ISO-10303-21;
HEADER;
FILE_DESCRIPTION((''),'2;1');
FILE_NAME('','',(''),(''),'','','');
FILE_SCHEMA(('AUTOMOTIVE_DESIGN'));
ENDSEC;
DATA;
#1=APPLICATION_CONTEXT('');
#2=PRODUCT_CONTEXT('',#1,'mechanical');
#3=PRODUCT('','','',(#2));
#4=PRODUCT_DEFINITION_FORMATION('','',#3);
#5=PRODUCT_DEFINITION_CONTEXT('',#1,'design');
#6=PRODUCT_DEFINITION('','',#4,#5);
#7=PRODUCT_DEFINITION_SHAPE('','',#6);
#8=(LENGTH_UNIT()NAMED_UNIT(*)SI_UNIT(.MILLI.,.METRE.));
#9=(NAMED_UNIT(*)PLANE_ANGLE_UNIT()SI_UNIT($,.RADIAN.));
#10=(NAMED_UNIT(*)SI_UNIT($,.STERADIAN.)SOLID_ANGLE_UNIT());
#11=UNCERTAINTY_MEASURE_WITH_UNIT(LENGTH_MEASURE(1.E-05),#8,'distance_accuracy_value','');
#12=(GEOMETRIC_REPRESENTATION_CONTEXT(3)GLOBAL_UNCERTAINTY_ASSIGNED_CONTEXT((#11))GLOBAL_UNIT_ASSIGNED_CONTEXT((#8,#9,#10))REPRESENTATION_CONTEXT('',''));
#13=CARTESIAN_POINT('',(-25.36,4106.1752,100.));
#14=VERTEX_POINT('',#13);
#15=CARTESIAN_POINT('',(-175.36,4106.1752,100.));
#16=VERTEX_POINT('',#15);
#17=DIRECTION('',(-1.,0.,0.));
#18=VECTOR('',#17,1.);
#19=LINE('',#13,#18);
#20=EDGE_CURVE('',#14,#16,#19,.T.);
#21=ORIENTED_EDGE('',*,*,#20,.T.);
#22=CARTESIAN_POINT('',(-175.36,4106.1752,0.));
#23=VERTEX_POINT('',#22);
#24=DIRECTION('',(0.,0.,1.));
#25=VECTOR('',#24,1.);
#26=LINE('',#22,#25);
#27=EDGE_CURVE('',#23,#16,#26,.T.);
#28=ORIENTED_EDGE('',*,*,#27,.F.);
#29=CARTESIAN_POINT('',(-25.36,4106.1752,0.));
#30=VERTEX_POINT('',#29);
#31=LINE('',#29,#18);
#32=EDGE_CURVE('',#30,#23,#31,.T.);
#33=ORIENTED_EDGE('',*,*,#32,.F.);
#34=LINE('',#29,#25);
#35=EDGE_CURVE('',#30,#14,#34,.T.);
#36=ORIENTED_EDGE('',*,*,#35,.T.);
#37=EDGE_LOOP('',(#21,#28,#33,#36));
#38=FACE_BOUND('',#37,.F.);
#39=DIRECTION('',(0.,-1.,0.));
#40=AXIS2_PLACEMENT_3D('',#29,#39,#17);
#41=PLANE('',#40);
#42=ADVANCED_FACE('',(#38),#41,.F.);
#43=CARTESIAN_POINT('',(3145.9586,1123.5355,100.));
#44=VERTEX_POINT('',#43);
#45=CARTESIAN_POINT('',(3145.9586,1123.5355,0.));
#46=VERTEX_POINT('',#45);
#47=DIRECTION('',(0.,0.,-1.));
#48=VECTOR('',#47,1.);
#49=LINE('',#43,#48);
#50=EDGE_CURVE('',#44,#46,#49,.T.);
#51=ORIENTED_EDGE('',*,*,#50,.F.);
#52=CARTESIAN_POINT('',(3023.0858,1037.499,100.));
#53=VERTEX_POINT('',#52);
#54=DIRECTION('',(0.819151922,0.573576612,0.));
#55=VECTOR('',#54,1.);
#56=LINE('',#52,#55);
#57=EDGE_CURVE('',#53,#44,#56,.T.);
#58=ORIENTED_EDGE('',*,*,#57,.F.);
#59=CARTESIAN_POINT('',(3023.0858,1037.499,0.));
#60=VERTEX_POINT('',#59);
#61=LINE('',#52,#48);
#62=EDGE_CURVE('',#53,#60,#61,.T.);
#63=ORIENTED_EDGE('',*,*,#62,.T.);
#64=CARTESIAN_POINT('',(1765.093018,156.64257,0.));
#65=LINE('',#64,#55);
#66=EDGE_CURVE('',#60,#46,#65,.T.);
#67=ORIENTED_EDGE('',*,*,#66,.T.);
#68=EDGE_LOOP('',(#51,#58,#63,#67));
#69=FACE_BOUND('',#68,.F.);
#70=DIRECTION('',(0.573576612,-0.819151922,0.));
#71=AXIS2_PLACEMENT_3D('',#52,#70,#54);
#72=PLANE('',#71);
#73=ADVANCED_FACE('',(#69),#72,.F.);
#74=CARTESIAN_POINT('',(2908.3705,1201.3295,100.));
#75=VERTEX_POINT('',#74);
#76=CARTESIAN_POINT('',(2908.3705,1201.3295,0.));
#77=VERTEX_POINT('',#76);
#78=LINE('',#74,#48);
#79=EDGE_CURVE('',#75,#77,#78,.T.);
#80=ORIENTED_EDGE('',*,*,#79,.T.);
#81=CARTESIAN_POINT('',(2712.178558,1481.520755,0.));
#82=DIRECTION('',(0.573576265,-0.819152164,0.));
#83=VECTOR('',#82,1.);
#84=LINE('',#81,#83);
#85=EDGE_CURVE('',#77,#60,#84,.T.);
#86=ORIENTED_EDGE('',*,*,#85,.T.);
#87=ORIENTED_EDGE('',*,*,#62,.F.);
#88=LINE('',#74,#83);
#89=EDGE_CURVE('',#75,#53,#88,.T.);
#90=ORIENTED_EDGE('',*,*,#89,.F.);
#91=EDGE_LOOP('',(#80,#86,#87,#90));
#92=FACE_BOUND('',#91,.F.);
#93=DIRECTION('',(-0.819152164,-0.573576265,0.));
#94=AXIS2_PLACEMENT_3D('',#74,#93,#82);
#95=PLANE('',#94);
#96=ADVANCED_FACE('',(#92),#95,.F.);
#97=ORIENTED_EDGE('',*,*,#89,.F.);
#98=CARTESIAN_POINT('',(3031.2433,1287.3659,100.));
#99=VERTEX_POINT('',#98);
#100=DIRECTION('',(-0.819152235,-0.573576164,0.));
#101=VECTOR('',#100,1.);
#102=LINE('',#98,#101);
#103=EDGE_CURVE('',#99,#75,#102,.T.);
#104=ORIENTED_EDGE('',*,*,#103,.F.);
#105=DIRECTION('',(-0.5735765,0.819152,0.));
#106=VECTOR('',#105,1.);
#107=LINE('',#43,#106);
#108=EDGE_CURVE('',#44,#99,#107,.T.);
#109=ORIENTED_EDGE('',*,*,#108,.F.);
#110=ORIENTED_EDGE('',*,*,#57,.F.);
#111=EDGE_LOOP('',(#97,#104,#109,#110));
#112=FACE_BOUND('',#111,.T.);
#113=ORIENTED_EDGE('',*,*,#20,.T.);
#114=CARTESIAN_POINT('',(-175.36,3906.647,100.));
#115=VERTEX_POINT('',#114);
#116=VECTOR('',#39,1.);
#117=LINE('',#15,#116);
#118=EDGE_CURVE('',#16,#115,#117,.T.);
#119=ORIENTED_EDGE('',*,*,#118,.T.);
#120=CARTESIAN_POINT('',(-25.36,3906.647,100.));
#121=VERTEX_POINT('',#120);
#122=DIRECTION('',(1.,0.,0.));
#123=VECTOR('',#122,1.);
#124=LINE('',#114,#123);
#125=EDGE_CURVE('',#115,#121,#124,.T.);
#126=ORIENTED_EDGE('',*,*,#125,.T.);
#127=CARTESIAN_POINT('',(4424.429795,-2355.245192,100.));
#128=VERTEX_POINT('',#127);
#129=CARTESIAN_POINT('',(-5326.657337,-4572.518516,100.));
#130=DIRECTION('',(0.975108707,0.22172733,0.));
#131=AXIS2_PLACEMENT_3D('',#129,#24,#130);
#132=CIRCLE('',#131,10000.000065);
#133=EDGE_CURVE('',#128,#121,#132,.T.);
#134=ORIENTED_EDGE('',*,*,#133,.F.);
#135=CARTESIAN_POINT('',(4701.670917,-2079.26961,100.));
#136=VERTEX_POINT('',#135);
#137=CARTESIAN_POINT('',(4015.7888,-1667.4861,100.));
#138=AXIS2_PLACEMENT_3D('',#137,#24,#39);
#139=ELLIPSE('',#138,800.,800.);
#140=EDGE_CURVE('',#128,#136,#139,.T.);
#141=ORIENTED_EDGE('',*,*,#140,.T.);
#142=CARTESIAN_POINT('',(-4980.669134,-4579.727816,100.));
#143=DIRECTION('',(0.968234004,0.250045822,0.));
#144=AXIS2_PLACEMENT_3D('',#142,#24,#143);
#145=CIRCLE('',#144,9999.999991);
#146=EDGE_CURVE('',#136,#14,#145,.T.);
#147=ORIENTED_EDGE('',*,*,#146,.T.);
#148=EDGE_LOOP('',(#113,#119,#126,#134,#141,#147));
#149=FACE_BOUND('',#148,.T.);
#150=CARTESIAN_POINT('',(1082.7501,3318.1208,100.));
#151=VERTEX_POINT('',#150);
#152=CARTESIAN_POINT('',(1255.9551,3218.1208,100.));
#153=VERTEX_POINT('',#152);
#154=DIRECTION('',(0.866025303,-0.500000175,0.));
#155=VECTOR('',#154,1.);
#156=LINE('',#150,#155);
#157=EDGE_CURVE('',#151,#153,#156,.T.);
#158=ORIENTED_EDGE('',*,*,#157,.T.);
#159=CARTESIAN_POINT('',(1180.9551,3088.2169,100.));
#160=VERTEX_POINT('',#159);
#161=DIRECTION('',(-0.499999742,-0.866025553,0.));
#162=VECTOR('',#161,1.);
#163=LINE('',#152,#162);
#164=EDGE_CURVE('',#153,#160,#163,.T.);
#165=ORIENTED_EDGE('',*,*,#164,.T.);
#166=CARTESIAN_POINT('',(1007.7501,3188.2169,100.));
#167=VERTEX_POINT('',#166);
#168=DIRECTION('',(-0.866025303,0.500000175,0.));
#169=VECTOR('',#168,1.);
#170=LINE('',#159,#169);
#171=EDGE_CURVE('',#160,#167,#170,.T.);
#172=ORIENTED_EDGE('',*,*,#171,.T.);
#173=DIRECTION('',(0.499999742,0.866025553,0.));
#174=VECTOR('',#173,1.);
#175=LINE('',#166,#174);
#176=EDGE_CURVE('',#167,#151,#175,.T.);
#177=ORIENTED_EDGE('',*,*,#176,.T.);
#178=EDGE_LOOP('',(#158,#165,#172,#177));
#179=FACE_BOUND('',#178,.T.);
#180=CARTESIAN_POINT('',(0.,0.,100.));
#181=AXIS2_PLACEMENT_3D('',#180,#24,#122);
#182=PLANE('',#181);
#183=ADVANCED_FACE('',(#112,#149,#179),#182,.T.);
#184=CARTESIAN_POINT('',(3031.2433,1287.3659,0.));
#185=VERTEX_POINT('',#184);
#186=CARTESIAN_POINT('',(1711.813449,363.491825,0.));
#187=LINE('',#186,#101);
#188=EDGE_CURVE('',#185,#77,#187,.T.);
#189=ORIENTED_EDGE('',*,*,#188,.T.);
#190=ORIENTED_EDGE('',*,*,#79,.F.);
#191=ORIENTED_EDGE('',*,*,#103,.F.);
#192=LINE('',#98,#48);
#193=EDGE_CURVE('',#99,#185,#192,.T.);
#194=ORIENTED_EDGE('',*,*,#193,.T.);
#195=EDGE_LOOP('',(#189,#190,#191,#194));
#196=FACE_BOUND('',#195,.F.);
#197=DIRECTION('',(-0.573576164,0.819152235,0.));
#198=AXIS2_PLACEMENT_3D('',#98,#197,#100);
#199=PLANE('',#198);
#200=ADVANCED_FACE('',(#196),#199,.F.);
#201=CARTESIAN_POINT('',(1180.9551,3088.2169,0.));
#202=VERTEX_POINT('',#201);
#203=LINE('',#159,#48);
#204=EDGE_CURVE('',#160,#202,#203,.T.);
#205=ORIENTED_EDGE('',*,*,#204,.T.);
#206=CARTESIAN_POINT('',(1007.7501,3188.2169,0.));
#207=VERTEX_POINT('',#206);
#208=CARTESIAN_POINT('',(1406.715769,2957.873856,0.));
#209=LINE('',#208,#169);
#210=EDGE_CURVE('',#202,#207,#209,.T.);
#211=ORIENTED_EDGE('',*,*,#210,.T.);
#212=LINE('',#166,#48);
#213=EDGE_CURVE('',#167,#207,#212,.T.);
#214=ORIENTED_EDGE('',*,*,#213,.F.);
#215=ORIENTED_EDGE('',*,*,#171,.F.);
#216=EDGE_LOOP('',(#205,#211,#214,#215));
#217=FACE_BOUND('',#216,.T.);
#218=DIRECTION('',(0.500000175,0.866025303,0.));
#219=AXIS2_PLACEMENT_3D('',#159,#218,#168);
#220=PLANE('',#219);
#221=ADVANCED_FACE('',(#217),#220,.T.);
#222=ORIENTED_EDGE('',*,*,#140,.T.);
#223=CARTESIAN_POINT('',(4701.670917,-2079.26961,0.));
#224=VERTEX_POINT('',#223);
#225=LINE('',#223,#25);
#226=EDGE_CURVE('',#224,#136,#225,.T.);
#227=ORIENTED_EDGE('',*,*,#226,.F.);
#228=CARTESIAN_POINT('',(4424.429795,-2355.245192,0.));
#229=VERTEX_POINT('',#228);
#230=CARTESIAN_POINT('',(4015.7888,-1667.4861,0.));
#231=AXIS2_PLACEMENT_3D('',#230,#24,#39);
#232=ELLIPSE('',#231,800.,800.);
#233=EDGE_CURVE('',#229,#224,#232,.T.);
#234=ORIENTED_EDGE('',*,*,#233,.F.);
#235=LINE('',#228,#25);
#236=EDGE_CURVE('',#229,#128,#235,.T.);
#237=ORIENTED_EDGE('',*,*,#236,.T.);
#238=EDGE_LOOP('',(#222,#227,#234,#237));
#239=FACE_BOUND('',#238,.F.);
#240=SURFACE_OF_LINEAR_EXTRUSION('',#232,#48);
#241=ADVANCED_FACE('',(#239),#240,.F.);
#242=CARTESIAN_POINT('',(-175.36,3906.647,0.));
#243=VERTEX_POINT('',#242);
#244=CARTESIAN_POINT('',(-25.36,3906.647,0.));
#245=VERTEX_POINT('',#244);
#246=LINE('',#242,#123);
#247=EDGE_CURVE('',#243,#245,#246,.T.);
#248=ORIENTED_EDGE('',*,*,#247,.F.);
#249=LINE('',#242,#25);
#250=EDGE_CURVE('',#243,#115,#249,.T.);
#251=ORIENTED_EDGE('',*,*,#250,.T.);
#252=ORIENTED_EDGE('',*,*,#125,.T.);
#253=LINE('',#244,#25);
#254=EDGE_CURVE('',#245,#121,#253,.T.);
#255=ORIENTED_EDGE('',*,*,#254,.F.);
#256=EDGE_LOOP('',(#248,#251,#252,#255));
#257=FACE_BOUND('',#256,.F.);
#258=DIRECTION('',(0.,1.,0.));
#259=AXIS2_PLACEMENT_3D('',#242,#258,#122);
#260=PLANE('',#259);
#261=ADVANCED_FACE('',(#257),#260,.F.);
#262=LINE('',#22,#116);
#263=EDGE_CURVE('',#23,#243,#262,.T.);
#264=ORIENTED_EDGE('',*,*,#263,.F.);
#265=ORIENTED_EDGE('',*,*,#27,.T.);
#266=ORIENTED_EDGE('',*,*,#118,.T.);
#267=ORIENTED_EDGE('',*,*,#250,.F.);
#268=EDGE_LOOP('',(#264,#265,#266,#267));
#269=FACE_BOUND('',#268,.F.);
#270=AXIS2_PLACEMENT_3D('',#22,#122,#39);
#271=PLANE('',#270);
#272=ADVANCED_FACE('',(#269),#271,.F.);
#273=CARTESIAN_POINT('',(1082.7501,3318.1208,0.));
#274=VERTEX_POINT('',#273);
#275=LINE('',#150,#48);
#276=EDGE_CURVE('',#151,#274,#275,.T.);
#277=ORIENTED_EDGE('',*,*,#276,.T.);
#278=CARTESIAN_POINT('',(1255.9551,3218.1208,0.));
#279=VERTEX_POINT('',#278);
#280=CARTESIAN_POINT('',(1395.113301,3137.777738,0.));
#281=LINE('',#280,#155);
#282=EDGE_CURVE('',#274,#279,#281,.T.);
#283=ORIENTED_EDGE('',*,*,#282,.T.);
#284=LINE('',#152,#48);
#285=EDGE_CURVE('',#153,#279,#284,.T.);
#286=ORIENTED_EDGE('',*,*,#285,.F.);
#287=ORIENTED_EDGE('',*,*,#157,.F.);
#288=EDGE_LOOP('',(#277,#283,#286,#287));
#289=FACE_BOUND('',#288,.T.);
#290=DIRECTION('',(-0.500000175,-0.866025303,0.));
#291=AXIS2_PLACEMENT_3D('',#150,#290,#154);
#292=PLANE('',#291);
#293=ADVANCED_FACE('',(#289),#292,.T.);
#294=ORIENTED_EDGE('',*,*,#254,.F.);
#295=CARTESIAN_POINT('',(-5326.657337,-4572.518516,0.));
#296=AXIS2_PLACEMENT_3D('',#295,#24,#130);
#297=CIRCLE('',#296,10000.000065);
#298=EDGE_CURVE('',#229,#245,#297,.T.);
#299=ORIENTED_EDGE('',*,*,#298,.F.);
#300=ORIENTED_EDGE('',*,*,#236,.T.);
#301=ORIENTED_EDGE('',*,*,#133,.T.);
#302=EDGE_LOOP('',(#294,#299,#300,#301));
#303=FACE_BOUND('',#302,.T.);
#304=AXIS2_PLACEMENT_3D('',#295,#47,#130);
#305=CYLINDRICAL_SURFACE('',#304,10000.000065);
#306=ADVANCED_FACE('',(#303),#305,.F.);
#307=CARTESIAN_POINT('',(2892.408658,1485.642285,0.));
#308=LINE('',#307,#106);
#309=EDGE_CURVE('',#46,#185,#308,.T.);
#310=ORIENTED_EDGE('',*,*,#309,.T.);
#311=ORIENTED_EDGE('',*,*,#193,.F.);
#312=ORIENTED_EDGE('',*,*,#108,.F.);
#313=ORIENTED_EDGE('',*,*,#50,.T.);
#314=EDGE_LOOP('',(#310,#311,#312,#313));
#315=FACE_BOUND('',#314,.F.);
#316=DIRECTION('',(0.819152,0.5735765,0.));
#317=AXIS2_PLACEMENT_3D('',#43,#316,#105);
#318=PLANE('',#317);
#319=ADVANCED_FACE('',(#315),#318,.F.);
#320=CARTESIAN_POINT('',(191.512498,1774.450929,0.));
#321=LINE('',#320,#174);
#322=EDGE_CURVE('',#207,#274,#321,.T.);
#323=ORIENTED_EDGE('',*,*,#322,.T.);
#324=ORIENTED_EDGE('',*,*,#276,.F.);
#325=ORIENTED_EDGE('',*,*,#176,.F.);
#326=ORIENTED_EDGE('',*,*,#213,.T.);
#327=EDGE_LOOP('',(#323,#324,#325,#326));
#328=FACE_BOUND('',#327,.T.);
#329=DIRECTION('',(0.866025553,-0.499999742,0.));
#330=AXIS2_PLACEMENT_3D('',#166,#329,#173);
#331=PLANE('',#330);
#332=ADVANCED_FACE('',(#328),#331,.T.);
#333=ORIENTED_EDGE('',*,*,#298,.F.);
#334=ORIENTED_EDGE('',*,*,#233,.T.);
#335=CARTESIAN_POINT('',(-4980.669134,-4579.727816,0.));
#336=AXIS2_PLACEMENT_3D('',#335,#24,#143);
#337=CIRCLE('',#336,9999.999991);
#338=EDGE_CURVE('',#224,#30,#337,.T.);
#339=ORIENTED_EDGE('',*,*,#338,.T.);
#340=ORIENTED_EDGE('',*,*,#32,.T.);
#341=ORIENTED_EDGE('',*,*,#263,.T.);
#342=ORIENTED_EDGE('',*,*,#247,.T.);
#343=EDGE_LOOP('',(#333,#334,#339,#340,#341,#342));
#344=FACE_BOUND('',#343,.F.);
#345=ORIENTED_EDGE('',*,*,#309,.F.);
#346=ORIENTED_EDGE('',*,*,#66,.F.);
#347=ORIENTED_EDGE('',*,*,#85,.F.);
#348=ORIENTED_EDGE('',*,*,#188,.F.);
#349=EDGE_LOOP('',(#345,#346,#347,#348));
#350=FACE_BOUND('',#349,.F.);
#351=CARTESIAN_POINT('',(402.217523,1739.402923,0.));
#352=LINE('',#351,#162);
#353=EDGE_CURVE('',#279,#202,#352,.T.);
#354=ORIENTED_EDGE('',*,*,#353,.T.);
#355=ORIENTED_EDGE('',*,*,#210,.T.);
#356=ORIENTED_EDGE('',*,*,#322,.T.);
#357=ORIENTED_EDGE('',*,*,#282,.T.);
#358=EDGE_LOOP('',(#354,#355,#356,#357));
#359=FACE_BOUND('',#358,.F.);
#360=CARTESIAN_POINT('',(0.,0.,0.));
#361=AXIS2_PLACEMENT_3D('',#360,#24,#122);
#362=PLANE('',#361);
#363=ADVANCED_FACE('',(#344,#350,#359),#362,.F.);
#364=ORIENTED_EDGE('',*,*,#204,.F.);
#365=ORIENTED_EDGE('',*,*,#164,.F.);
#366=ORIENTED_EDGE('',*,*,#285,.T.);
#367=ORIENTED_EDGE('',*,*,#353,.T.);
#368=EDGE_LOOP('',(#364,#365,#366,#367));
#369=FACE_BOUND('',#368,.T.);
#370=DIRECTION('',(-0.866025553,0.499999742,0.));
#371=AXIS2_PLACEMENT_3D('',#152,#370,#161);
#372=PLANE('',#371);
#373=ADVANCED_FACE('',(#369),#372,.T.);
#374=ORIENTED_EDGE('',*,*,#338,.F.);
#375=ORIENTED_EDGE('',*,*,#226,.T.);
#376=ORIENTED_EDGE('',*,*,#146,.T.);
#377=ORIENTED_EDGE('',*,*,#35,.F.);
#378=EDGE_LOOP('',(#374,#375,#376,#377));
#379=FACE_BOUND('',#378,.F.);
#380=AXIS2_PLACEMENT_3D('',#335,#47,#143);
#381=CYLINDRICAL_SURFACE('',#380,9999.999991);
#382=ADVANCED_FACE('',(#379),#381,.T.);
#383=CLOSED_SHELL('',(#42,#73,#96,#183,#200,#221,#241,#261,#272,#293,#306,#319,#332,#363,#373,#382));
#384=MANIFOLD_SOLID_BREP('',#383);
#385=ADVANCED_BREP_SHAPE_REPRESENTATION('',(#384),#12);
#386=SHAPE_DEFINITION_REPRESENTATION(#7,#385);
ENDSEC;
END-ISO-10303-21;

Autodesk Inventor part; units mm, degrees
ref_plane "YZ Plane" through (0, 0, 0) normal (1, 0, 0) x (0, 1, 0)
ref_plane "XZ Plane" through (0, 0, 0) normal (0, 1, 0) x (-1, 0, 0)
ref_plane "XY Plane" through (0, 0, 0) normal (0, 0, 1) x (1, 0, 0)
sketch "Sketch1" plane through (0, 0, 0) normal (0, 0, 1) x (1, 0, 0)
  ellipse E0 centre (4015.7888, -1667.4861) end of major axis (4015.7888, -2467.4861) minor radius 800 (4424.4298, -2355.2452) -> (4701.6709, -2079.2696) ccw
  arc A0 (4701.6709, -2079.2696) -> (-25.36, 4106.1752) centre (-4980.6691, -4579.7278) ccw
  arc A1 (4424.4298, -2355.2452) -> (-25.36, 3906.647) centre (-5326.6573, -4572.5185) ccw
  arc A2 (4424.4298, -2355.2452) -> (4701.6709, -2079.2696) centre (4015.7888, -1667.4861) ccw
  line L0 (-25.36, 4106.1752) -> (-175.36, 4106.1752)
  line L1 (-175.36, 4106.1752) -> (-175.36, 3906.647)
  line L2 (-175.36, 3906.647) -> (-25.36, 3906.647)
  point P0 (0, 0)
  dimension "d0" = 10000
  dimension "d1" = 10000
  dimension "d2" = 150
extrude "Extrusion1" add sketch "Sketch1" along normal blind 100
sketch "Sketch2" plane through (0, 0, 100) normal (0, 0, 1) x (1, 0, 0)
  line L0 (1082.7501, 3318.1208) -> (1255.9551, 3218.1208)
  line L1 (1255.9551, 3218.1208) -> (1180.9551, 3088.2169)
  line L2 (1180.9551, 3088.2169) -> (1007.7501, 3188.2169)
  line L3 (1007.7501, 3188.2169) -> (1082.7501, 3318.1208)
  line L4 (1082.7501, 3318.1208) -> (1180.9551, 3088.2169) construction
  line L5 (1255.9551, 3218.1208) -> (1007.7501, 3188.2169) construction
  line L6 (1082.7501, 3318.1208) -> (1282.7501, 3318.1208) construction
  line L7 (2908.3705, 1201.3295) -> (3023.0858, 1037.499)
  line L8 (3023.0858, 1037.499) -> (3145.9586, 1123.5355)
  line L9 (3145.9586, 1123.5355) -> (3031.2433, 1287.3659)
  line L10 (3031.2433, 1287.3659) -> (2908.3705, 1201.3295)
  line L11 (2908.3705, 1201.3295) -> (3145.9586, 1123.5355) construction
  line L12 (3023.0858, 1037.499) -> (3031.2433, 1287.3659) construction
  line L13 (2908.3705, 1201.3295) -> (3108.3705, 1201.3295) construction
  point P0 (0, 0)
  point P1 (1131.8526, 3203.1688)
  point P2 (3027.1645, 1162.4325)
  dimension "d5" = 200
  dimension "d6" = 30
  dimension "d7" = 150
  dimension "d8" = 200
  dimension "d9" = 55
  dimension "d10" = 150
extrude "Extrusion2" cut sketch "Sketch2" against normal through all
properties part number "curve_beam_03" material "Wood (Maple)"
